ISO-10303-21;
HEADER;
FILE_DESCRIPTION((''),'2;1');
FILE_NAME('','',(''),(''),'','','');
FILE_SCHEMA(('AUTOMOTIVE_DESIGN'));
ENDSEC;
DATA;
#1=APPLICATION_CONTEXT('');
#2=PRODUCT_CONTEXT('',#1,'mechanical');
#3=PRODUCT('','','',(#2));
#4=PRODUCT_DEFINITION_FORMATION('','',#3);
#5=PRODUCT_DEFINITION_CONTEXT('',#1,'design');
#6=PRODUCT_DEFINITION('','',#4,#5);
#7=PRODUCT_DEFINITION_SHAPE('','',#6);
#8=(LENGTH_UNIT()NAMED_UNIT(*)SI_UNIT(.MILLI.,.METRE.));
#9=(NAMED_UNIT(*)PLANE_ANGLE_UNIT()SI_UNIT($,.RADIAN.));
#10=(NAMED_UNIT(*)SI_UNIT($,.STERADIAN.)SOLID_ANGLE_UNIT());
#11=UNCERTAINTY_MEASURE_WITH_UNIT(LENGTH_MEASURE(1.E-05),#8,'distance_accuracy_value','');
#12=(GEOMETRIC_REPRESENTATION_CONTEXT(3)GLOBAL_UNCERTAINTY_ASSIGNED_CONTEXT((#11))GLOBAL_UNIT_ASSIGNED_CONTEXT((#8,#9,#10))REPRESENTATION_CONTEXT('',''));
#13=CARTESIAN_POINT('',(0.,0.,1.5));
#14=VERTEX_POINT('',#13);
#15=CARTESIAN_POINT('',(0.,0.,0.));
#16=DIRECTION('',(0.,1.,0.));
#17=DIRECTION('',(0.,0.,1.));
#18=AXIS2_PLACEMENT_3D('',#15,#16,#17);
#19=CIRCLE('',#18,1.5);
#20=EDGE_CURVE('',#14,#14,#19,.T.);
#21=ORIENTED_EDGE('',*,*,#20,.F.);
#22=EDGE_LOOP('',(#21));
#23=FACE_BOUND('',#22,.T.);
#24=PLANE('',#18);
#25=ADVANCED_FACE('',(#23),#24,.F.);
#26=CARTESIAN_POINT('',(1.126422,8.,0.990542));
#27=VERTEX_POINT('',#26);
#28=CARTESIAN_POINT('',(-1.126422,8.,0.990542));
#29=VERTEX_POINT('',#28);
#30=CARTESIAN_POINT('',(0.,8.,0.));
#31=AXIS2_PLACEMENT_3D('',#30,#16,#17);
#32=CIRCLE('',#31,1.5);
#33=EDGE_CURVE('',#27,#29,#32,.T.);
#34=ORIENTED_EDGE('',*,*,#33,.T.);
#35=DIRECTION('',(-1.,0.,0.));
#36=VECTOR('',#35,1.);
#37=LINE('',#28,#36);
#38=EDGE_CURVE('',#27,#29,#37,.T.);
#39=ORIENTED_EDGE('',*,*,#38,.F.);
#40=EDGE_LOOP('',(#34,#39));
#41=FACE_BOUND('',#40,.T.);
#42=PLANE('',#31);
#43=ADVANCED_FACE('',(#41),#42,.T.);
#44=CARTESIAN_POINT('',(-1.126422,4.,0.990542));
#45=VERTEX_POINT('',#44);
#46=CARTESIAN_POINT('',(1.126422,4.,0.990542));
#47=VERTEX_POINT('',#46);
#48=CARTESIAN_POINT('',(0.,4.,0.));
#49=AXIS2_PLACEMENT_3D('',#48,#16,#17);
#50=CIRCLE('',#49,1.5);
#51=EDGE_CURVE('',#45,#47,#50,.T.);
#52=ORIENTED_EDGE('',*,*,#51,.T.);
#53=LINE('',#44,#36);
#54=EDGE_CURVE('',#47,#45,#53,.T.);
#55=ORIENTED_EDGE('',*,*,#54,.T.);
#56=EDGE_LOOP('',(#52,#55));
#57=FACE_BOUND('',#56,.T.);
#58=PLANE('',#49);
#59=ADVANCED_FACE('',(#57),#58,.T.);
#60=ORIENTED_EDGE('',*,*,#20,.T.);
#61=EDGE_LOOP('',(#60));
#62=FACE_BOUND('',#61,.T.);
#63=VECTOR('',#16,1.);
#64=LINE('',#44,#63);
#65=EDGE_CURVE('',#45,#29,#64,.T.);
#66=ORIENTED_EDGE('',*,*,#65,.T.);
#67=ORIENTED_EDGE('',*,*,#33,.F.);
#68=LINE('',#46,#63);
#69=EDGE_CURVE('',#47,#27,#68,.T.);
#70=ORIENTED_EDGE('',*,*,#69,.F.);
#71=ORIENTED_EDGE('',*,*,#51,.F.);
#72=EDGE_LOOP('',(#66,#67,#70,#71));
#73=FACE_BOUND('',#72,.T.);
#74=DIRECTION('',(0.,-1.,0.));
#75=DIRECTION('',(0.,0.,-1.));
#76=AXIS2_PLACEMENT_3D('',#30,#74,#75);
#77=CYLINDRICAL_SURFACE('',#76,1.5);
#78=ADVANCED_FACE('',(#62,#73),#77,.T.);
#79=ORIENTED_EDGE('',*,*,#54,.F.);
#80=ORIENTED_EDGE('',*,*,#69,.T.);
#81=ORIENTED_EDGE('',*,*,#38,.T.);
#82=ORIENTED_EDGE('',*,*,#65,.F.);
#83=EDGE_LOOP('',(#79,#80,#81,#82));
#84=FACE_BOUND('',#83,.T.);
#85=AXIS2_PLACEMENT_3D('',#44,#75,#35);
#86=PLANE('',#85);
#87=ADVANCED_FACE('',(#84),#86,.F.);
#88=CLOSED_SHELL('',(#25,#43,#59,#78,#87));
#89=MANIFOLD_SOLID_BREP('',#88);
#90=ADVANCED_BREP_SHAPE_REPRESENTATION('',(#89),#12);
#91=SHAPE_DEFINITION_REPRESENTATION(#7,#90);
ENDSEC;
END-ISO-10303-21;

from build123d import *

# Parameters (mm, degrees)
SKETCH1_R           = 1.5
BOSS_EXTRUDE1_DEPTH = 8
CUT_EXTRUDE1_START  = -4
CUT_EXTRUDE1_DEPTH  = 4


with BuildPart() as part:
    # Sketch1 → Boss-Extrude1 (new body)
    with BuildSketch(Plane(origin=(0, 0, 0), x_dir=(1, 0, 0), z_dir=(0, 1, 0))):
        with Locations(Location((0, 0, 0), (0, 0, 270))):
            Circle(SKETCH1_R)
    extrude(amount=BOSS_EXTRUDE1_DEPTH)

    # Sketch2 → Cut-Extrude1 (cut)
    with BuildSketch(Plane(origin=(0, 8, 0), x_dir=(1, 0, 0), z_dir=(0, 1, 0)).offset(CUT_EXTRUDE1_START)):
        with BuildLine():
            Line((-1.126421796, -0.990542244), (1.126421796, -0.990542244))
            ThreePointArc((1.126421796, -0.990542244), (0, -1.5), (-1.126421796, -0.990542244))
        make_face()
    extrude(amount=CUT_EXTRUDE1_DEPTH, mode=Mode.SUBTRACT)


solid = part.part
